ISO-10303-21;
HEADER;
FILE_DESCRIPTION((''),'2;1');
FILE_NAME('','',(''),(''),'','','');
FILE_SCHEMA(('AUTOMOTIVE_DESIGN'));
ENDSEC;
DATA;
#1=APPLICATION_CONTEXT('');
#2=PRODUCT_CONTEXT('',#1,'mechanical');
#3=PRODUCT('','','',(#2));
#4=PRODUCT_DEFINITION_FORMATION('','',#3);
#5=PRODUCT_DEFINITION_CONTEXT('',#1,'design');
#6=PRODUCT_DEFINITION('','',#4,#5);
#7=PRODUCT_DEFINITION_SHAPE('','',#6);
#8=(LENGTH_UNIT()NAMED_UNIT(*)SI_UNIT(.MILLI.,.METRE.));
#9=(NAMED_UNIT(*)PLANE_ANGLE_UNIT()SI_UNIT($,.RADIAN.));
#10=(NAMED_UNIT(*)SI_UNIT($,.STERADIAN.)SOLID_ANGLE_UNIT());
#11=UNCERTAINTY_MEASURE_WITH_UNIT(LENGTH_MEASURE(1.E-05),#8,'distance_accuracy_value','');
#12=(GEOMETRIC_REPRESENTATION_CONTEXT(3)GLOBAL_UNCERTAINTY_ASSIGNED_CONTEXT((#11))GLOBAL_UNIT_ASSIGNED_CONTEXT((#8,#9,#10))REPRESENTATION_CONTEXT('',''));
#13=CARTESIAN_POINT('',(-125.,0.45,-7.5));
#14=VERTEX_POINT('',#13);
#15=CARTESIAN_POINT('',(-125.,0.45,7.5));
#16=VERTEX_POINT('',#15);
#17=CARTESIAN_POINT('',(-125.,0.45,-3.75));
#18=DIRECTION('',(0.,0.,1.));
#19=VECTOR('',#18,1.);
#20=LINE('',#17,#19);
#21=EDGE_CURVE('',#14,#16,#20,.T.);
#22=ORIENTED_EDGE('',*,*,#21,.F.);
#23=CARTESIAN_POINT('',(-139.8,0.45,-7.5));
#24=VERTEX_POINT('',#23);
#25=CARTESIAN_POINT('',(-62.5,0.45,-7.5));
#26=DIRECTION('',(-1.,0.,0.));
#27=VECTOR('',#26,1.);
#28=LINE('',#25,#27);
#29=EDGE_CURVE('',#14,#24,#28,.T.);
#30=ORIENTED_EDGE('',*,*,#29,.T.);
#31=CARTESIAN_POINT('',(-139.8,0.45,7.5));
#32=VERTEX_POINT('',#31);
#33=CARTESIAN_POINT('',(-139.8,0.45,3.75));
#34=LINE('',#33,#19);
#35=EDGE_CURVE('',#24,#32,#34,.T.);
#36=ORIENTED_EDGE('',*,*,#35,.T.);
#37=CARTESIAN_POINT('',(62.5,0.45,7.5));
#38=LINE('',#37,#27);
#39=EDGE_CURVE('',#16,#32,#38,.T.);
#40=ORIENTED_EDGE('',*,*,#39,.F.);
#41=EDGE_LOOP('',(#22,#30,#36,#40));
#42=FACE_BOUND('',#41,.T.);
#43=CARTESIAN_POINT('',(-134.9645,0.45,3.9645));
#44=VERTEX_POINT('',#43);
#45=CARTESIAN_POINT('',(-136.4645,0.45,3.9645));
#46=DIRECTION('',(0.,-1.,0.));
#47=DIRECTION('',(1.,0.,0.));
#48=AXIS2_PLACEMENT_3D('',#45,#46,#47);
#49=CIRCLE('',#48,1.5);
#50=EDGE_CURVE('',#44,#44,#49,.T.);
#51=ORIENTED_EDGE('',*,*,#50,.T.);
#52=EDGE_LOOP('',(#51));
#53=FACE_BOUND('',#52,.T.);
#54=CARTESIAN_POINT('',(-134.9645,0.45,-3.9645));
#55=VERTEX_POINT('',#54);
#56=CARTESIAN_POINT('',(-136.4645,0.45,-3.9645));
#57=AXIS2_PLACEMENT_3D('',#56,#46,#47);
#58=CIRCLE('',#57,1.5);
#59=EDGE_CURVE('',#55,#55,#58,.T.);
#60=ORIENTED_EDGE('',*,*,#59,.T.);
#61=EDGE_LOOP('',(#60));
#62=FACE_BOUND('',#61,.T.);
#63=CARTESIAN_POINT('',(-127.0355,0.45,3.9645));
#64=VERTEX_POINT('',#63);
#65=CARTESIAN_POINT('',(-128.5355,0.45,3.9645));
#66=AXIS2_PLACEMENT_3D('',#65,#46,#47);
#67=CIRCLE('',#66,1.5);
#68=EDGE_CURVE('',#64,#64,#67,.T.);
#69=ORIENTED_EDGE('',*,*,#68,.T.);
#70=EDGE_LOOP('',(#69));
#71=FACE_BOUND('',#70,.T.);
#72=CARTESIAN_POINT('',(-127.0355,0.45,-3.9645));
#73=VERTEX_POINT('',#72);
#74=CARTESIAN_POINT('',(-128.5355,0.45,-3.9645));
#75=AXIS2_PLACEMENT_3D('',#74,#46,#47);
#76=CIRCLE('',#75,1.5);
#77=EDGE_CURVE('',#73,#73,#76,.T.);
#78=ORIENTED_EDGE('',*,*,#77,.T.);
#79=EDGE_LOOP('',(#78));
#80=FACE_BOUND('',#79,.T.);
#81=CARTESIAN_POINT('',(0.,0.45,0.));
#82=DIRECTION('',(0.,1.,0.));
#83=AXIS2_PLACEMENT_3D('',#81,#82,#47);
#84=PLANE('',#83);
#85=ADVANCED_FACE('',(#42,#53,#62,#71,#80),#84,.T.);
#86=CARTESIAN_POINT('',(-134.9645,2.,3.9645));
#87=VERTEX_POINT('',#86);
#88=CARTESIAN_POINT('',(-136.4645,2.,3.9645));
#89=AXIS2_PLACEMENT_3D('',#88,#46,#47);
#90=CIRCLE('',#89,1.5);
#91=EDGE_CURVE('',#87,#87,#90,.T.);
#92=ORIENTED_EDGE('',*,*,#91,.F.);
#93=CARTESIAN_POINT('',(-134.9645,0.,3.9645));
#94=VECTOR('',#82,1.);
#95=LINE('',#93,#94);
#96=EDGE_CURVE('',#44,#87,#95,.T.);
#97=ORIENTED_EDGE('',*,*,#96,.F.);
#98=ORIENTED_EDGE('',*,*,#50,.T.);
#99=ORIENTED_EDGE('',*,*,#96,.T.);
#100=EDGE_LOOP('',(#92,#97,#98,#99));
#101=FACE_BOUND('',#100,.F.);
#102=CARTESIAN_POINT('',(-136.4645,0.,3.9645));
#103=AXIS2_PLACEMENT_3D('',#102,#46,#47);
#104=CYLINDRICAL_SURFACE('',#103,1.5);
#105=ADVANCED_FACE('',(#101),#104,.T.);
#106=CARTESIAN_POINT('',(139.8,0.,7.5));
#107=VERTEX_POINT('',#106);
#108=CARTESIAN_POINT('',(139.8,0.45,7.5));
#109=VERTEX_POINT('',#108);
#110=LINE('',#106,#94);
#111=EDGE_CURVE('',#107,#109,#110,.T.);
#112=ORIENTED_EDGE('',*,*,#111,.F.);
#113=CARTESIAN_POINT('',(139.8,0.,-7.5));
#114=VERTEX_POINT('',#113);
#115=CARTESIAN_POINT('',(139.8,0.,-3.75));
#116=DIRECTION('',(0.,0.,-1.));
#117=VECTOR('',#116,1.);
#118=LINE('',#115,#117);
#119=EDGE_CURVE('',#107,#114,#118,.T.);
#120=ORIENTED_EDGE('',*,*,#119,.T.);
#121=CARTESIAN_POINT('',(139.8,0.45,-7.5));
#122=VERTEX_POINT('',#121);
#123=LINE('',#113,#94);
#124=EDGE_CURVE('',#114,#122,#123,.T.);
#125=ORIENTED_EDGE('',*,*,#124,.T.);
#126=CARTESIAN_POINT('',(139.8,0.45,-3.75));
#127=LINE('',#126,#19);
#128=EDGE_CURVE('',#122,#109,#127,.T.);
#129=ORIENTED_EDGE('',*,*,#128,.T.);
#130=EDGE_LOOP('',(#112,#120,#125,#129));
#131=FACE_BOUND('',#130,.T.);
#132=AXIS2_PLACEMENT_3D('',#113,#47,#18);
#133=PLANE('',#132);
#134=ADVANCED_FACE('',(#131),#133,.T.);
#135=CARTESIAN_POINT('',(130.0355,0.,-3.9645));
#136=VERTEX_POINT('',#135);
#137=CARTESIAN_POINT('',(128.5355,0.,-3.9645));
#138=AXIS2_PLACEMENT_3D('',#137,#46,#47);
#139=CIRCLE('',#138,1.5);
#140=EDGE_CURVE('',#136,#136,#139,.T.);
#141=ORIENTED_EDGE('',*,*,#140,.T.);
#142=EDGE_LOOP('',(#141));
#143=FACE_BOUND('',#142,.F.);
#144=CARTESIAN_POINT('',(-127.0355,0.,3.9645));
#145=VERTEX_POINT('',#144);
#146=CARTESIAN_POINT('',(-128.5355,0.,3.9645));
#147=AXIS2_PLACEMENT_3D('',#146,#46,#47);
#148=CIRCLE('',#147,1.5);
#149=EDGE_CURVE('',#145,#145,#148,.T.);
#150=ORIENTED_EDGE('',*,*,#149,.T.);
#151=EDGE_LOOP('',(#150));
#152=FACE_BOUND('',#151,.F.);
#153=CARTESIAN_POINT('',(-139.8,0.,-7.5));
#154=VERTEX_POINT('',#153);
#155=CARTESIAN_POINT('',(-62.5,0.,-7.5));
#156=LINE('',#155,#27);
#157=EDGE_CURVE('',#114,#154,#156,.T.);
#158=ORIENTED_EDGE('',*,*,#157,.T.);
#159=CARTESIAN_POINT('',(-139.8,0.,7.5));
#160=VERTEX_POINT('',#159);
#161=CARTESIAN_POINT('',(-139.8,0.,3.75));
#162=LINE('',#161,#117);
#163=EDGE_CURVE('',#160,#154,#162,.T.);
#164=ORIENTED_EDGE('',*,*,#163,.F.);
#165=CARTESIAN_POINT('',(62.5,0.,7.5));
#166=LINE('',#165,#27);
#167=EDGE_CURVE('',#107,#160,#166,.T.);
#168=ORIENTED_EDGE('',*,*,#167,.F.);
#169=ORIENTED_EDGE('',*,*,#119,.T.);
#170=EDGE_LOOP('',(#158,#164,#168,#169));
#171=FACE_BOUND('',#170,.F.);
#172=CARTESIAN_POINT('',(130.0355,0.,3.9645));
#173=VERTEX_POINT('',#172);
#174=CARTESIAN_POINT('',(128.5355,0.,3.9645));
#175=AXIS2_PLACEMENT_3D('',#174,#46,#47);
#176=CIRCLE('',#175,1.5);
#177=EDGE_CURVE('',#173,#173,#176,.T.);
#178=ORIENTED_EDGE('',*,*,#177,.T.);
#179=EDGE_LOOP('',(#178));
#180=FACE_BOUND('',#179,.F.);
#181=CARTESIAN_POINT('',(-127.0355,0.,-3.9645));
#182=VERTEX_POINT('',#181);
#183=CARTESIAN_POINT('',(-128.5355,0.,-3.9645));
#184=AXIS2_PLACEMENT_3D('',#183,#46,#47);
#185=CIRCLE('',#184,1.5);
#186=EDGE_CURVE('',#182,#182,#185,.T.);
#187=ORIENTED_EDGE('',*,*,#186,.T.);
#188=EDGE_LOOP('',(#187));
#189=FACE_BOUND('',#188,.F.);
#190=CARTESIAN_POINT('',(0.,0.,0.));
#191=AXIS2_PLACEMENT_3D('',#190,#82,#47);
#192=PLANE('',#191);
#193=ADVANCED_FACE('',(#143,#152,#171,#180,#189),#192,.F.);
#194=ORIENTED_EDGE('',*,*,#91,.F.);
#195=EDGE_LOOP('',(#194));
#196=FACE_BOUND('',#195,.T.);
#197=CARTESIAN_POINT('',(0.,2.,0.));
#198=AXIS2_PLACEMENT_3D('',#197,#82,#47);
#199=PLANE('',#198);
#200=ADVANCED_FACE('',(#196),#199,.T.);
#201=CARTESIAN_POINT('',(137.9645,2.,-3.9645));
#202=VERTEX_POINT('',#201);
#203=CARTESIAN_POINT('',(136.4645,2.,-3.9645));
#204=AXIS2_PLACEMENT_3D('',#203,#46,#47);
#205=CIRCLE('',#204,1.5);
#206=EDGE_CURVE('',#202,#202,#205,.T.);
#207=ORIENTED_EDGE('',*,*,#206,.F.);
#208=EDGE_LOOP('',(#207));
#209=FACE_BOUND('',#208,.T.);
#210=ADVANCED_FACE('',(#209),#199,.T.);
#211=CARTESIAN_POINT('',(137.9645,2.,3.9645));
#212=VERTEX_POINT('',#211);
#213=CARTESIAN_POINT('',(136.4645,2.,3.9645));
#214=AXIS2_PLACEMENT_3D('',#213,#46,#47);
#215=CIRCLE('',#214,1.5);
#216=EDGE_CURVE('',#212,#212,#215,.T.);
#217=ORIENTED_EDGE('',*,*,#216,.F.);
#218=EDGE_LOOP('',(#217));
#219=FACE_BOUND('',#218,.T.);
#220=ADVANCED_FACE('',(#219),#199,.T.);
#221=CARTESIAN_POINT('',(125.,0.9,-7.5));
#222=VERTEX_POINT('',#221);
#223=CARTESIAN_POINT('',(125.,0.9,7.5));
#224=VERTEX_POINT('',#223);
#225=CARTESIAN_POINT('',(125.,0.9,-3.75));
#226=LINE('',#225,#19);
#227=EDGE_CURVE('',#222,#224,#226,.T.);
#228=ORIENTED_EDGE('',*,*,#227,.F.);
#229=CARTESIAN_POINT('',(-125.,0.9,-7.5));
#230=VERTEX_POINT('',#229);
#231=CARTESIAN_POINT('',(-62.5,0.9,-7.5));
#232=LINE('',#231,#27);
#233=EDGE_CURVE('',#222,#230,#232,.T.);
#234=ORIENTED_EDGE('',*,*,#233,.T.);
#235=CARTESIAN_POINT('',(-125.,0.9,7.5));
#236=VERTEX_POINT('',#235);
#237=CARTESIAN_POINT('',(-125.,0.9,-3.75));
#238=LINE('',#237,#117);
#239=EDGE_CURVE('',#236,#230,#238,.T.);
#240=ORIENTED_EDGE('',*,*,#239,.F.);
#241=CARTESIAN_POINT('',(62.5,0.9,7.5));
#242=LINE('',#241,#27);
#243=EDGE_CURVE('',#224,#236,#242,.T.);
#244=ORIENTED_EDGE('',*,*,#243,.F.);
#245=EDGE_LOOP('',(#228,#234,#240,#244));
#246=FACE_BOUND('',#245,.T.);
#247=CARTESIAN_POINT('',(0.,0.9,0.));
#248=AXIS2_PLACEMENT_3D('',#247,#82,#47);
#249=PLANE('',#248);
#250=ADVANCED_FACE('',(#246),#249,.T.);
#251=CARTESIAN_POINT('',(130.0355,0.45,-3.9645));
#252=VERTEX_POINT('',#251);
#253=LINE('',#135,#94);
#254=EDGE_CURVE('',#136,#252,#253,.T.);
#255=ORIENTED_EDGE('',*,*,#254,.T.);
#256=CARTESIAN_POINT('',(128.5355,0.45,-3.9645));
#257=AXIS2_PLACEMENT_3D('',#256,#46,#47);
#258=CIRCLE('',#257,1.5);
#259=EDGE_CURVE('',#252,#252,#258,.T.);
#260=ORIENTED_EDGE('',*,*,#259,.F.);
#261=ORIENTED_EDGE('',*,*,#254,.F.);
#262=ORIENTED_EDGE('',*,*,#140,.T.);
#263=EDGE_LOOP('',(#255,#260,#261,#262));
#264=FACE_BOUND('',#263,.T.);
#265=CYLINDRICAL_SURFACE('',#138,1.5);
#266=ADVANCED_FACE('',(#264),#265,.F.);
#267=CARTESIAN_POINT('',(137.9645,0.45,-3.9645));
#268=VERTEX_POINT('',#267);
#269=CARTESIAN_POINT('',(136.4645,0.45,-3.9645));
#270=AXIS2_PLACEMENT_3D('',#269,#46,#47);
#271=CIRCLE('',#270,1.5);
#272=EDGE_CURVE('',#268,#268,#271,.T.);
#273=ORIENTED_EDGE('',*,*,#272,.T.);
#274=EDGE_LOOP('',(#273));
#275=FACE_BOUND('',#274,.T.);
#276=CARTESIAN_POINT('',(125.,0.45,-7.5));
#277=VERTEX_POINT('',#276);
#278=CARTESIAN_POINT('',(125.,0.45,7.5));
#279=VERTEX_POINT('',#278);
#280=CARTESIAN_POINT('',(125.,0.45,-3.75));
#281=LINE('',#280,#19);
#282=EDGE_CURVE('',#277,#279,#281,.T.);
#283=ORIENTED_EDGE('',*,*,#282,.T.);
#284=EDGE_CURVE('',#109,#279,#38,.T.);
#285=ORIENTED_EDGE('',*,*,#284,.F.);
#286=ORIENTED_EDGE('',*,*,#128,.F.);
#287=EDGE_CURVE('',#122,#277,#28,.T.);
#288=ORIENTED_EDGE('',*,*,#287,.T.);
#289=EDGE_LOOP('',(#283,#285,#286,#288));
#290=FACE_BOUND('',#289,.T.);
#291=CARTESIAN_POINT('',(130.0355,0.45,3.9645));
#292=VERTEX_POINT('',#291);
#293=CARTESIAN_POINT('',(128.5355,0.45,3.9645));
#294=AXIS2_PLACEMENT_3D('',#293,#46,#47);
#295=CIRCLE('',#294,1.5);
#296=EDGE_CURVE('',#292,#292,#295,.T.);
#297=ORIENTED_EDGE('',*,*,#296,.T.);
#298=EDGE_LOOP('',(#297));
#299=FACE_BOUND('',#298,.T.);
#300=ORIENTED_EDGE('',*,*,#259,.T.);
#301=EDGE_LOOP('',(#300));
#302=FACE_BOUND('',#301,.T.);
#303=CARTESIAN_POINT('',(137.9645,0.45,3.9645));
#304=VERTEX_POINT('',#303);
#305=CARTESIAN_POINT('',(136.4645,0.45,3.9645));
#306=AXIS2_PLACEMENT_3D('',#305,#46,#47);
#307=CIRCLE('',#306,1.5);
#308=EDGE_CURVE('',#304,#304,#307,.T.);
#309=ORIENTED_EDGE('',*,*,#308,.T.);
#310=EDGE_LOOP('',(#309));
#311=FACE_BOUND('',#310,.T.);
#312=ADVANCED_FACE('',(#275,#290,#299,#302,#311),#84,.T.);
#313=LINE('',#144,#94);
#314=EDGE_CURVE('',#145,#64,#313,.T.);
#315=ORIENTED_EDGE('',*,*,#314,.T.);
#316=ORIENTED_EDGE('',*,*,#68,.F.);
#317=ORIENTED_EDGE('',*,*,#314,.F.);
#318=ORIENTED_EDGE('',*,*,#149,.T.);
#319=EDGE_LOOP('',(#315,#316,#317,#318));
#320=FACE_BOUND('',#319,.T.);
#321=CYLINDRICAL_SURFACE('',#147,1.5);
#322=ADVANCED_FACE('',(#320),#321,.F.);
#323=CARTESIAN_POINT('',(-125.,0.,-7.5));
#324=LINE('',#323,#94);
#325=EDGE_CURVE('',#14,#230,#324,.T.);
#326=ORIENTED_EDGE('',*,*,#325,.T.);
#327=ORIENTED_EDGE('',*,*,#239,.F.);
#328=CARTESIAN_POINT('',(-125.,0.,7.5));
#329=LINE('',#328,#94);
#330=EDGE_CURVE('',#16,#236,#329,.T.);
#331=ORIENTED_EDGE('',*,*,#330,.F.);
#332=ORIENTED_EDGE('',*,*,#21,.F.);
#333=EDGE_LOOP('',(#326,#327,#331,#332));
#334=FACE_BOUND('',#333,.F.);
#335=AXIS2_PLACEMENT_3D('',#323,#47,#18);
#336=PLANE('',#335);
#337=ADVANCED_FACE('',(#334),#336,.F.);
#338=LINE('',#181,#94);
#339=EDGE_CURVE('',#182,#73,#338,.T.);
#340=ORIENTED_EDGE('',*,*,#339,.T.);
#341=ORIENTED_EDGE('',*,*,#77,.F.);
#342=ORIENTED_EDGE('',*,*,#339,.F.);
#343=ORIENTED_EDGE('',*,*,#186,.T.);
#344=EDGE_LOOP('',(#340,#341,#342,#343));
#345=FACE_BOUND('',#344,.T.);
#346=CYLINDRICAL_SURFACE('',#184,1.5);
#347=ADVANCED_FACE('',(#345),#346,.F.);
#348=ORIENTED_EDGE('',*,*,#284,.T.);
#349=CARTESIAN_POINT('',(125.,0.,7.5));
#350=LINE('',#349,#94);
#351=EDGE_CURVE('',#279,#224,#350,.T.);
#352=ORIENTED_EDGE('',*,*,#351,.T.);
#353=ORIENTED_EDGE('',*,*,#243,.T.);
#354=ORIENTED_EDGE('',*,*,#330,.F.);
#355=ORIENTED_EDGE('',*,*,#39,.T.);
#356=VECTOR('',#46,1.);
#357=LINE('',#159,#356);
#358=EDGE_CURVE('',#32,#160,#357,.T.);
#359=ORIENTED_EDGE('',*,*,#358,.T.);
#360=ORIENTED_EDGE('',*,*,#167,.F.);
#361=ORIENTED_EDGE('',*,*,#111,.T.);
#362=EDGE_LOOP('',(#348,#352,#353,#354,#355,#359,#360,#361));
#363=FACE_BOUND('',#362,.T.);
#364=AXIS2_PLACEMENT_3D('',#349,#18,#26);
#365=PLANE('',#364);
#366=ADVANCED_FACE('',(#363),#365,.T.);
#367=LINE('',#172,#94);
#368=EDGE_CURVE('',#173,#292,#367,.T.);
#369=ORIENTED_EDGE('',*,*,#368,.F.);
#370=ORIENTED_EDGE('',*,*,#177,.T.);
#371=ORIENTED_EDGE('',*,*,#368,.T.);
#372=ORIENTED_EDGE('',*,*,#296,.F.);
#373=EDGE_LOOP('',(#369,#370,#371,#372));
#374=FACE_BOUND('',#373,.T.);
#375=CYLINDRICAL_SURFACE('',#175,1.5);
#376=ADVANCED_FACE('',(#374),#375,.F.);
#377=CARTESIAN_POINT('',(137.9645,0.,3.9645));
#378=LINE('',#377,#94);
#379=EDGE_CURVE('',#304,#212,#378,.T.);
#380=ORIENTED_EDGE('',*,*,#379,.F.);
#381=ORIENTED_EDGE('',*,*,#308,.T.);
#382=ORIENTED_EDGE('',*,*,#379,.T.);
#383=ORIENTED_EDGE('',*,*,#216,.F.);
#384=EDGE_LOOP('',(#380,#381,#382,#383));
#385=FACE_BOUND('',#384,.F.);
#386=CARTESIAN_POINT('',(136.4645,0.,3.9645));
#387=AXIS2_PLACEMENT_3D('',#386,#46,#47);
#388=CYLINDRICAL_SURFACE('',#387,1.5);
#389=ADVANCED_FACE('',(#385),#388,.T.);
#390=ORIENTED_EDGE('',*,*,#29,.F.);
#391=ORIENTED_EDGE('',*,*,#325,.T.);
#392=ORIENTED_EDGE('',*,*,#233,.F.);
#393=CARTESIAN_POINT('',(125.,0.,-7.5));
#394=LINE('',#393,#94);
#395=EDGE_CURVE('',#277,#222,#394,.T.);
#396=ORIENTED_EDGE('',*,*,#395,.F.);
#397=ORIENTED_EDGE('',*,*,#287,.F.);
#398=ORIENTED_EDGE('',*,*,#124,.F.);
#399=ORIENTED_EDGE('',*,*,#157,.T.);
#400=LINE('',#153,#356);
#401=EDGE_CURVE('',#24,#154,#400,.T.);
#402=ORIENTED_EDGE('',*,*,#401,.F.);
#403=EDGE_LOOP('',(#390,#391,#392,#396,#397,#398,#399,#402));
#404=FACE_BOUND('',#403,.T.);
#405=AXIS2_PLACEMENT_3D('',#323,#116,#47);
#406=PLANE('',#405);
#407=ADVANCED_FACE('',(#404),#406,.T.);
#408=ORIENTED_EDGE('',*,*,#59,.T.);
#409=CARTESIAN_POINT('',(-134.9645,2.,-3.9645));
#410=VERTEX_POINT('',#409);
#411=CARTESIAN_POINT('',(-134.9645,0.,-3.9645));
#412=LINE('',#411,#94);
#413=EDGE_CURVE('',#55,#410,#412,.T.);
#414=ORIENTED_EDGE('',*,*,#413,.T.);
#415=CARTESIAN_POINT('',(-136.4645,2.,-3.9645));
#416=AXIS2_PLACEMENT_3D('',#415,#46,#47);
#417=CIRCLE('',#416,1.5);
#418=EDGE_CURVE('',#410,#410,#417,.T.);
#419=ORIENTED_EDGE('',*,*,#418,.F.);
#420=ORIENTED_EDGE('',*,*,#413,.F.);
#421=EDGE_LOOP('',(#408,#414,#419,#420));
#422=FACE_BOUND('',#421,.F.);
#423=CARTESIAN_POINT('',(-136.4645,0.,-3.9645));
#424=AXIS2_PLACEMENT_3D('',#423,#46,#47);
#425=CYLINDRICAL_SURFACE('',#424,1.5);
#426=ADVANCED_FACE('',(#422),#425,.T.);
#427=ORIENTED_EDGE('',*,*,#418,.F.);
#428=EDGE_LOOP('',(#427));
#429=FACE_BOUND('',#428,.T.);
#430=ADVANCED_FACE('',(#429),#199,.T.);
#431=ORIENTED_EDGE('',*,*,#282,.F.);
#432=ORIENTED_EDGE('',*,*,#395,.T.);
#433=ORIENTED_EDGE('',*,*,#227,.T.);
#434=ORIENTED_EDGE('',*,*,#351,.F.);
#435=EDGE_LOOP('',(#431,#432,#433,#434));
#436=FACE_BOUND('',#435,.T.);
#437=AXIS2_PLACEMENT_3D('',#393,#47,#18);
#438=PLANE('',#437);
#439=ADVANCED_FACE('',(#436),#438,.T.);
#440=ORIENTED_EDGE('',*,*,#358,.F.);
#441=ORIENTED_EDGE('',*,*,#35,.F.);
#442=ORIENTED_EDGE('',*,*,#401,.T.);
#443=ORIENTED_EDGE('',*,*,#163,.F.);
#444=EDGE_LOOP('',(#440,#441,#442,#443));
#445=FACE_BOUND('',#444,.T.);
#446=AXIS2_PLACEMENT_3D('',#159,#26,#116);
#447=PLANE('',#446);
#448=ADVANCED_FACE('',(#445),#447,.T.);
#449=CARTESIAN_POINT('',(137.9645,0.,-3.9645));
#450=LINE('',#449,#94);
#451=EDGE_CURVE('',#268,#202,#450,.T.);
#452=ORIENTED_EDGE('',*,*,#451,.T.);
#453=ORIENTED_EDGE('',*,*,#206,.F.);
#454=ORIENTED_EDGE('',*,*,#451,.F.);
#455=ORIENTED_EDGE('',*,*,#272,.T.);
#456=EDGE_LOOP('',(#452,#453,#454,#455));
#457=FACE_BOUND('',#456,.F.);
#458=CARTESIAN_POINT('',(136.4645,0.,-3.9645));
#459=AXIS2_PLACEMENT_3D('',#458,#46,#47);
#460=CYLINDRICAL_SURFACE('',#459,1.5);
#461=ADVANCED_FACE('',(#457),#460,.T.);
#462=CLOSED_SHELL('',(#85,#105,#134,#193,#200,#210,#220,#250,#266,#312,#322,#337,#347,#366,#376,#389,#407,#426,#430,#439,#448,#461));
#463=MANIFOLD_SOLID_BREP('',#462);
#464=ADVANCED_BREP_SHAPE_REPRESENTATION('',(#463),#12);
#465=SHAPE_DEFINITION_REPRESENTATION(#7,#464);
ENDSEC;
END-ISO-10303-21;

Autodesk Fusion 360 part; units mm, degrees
sketch "Sketch1" plane through (0, 0, 0) normal (0, 1, 0) x (1, 0, 0)
  line L0 (140, -7.5) -> (-140, -7.5)
  line L1 (-140, -7.5) -> (-140, 7.5)
  line L2 (-140, 7.5) -> (140, 7.5)
  line L3 (140, 7.5) -> (140, -7.5)
  line L4 (140, -7.5) -> (-140, 7.5) construction
  line L5 (-140, -7.5) -> (140, 7.5) construction
  line L6 (-125, 7.5) -> (-125, -7.5)
  line L7 (-140, 7.5) -> (-125, -7.5) construction
  line L8 (-125, 7.5) -> (-140, -7.5) construction
  circle A0 centre (-136.4645, 3.9645) radius 1.5
  circle A1 centre (-128.5355, 3.9645) radius 1.5
  line L9 (1.75, 0) -> (22.5, 0)
  circle A2 centre (-136.4645, -3.9645) radius 1.5
  circle A3 centre (-128.5355, -3.9645) radius 1.5
  line L10 (0, -20) -> (0, -2.5)
  line L11 (125, 7.5) -> (125, -7.5)
  circle A4 centre (128.5355, 3.9645) radius 1.5
  circle A5 centre (128.5355, -3.9645) radius 1.5
  circle A6 centre (136.4645, -3.9645) radius 1.5
  circle A7 centre (136.4645, 3.9645) radius 1.5
  dimension "d1" = 280
  dimension "d2" = 15
  dimension "d3" = 15
  dimension "d4" = 3
  dimension "d5" = 3
  dimension "d6" = 5
  dimension "d7" = 5
extrude "Extrude1" add sketch "Sketch1" along normal blind 0.9 contours L0 L2 L6 L11
extrude "Extrude2" add sketch "Sketch1" along normal blind 0.45 contours L0 L2 L3 L11 | L0 L1 L2 L6
extrude "Extrude3" add sketch "Sketch1" along normal blind 2 contours A0 | A2 | A6 | A7
move_face "OffsetFaces1" offset -0.2 2 faces at (140, 0.15, -2.5) (-140, 0.15, 2.5)
